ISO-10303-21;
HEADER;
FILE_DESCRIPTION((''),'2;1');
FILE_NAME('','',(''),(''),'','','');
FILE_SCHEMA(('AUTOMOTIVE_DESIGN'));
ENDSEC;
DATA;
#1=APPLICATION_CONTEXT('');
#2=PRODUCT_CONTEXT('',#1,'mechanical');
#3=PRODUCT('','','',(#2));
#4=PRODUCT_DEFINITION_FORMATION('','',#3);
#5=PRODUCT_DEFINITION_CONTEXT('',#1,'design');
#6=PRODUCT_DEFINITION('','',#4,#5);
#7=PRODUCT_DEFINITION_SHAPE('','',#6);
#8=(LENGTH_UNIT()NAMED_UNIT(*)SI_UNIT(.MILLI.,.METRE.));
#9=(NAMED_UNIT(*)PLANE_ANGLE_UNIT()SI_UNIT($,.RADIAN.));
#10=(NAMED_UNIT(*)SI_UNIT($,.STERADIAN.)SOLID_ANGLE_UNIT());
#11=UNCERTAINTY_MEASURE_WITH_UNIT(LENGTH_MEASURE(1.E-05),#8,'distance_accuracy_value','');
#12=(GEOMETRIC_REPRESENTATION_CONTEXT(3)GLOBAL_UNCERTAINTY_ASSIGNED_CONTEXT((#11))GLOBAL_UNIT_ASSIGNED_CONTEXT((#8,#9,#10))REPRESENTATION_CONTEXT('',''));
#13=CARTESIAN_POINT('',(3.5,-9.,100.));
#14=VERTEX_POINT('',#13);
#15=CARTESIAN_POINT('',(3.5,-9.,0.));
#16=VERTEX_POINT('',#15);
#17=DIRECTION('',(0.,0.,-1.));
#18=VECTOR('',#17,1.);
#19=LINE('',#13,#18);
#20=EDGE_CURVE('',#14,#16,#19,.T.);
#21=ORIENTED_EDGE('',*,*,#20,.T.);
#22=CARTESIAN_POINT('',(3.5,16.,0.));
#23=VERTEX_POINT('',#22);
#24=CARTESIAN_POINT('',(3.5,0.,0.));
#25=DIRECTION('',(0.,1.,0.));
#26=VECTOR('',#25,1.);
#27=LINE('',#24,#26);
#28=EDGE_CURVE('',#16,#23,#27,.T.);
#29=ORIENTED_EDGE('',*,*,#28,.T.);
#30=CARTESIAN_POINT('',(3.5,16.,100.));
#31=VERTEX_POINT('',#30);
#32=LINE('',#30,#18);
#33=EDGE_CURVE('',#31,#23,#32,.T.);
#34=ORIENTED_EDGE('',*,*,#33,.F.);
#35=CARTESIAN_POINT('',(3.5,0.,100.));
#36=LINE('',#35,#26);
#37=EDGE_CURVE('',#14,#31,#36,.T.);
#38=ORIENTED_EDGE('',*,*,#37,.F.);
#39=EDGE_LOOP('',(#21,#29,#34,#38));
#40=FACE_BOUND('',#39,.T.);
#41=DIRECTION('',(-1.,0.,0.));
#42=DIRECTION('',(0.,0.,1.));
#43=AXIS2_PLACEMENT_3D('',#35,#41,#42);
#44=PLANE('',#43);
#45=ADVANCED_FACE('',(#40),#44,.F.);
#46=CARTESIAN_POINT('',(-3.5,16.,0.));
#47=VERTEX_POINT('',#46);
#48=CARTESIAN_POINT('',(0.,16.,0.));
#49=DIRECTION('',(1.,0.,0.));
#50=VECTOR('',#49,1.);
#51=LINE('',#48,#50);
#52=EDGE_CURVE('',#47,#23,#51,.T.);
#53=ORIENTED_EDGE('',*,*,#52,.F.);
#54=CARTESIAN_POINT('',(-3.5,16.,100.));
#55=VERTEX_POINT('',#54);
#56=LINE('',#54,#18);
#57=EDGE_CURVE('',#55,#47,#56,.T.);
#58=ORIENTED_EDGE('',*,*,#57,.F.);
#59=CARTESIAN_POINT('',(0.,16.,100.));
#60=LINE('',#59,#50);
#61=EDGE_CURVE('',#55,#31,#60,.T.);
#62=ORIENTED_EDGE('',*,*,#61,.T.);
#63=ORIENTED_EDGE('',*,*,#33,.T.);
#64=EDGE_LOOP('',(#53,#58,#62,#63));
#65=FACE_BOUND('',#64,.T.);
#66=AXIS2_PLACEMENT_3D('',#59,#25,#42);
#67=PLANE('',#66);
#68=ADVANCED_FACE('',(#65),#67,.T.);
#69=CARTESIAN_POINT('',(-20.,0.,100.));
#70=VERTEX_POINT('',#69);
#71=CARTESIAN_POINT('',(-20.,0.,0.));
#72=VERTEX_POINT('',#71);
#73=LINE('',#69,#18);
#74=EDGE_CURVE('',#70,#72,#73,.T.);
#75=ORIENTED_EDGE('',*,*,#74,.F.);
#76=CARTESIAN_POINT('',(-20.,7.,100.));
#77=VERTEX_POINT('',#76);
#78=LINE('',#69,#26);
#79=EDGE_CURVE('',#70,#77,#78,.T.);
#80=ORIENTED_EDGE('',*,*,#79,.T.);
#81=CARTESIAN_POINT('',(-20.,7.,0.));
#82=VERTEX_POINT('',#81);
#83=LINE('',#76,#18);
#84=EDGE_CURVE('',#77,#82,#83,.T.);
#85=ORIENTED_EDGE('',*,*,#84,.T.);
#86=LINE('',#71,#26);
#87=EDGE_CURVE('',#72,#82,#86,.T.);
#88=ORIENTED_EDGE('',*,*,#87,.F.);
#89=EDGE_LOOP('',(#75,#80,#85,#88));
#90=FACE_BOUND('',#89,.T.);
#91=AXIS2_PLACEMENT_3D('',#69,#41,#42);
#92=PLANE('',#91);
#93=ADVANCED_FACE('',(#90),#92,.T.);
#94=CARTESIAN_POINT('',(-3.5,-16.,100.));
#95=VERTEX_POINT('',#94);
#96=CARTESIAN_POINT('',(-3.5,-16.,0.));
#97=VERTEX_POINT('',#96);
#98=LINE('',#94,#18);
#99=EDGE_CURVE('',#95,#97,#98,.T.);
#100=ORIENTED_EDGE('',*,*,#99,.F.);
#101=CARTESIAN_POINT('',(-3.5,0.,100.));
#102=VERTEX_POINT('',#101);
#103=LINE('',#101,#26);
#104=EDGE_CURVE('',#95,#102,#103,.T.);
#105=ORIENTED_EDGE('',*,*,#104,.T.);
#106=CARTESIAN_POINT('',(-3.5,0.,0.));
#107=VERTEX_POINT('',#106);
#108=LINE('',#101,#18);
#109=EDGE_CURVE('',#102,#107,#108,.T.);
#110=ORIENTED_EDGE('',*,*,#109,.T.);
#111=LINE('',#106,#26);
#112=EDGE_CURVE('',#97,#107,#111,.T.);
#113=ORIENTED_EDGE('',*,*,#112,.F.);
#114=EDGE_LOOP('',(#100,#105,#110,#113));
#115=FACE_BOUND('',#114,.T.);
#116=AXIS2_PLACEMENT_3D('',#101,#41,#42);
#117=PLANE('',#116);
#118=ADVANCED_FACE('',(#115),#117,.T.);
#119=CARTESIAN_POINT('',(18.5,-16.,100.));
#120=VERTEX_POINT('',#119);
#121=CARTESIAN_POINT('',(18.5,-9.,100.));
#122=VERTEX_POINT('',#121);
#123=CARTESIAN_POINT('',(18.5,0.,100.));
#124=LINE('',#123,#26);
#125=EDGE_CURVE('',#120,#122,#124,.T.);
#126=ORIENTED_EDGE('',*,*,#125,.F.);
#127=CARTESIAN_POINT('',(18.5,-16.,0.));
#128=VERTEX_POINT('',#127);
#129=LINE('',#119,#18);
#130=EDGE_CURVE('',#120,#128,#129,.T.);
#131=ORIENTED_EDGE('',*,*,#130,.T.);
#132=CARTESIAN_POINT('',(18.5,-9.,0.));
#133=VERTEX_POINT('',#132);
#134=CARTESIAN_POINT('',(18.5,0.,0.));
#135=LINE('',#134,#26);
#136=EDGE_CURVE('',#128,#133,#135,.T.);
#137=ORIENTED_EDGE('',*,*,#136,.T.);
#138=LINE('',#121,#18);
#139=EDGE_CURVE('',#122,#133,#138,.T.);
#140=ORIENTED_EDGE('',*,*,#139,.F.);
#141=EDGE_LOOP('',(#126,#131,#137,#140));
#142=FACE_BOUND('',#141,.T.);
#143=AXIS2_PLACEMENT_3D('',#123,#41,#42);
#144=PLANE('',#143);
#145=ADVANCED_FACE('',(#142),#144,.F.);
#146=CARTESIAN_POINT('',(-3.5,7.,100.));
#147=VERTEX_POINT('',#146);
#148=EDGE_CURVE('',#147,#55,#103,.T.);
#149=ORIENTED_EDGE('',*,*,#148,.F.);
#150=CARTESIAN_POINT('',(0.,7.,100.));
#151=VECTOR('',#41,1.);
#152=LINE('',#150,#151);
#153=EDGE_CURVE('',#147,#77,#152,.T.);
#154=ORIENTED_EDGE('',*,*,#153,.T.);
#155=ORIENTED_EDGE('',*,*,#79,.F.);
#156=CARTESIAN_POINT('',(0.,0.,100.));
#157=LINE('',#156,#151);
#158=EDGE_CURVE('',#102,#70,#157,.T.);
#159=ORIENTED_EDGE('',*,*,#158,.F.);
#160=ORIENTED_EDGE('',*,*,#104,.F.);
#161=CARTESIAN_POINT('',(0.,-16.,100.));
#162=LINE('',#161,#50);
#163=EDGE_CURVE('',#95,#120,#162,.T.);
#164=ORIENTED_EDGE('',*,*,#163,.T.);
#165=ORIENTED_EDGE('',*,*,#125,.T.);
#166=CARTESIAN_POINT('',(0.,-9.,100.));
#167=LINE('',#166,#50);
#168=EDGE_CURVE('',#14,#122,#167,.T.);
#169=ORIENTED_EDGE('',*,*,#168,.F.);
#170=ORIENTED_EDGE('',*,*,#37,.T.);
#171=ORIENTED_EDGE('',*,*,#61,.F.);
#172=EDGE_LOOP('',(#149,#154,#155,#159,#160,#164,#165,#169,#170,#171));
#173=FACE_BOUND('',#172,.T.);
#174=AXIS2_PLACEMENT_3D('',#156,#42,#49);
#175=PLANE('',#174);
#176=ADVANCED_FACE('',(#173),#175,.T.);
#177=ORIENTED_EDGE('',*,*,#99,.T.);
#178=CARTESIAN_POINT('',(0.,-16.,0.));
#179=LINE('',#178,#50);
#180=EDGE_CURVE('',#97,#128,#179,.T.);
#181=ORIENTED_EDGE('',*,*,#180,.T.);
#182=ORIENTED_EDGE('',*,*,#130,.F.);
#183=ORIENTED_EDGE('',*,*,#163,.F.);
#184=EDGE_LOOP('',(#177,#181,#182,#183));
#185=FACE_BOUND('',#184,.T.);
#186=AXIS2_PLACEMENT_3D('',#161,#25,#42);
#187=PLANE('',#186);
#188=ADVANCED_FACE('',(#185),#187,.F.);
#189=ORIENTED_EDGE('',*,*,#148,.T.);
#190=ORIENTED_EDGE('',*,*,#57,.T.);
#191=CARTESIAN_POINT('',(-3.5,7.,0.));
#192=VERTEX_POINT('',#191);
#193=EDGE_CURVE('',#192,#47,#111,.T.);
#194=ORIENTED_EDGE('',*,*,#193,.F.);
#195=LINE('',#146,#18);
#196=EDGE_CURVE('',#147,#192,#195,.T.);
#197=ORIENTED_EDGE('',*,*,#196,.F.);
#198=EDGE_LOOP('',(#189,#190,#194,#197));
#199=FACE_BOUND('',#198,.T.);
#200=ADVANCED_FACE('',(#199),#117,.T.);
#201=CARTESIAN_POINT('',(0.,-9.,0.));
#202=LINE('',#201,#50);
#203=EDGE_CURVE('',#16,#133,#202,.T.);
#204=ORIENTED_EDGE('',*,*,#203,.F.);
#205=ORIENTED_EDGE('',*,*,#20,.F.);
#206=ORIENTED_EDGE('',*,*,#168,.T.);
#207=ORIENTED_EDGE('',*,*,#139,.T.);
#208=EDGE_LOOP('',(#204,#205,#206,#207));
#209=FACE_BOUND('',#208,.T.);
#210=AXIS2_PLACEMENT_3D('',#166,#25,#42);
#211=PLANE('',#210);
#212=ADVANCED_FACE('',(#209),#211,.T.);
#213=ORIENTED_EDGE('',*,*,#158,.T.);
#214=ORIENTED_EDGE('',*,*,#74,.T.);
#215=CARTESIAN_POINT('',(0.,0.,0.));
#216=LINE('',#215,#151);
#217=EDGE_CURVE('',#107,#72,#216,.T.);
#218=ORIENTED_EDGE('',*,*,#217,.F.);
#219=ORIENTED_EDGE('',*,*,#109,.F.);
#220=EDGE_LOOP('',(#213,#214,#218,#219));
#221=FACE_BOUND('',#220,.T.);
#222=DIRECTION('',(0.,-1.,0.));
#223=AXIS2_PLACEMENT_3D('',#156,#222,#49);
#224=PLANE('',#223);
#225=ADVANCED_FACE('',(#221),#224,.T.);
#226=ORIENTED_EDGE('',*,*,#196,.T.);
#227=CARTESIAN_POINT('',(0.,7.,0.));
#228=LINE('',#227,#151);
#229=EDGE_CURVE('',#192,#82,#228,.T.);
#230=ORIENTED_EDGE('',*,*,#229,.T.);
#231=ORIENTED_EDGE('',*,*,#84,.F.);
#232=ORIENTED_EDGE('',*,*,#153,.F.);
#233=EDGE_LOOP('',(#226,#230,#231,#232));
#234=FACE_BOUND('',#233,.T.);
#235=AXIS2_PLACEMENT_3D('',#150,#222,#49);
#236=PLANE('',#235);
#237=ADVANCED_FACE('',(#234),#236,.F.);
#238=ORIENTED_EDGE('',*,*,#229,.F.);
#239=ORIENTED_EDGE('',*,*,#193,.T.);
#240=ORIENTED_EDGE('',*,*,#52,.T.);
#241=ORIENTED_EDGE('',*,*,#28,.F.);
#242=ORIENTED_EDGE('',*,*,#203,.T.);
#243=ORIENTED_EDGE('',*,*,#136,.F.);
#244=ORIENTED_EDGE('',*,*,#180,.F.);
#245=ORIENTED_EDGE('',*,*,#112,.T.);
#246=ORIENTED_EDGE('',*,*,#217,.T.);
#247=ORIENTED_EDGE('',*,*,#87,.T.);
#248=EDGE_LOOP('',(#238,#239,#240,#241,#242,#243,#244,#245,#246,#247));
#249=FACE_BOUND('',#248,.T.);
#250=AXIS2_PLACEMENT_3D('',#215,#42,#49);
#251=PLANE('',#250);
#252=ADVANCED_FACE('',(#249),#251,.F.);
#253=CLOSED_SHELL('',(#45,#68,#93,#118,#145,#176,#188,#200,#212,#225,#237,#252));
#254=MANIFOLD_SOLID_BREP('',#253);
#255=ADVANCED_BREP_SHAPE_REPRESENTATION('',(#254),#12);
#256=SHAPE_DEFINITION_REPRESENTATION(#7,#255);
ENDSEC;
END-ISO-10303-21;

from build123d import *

# Parameters (mm, degrees)
SKETCH_1_W      = 16.5
SKETCH_1_H      = 7
SKETCH_1_W_2    = 3.5
SKETCH_1_W_3    = 15
EXTRUDE_1_DEPTH = 100


with BuildPart() as part:
    # Эскиз1 → Бобышка-Вытянуть1 (new body)
    with BuildSketch(Plane.XY):
        with Locations((-11.75, 3.5)):
            Rectangle(SKETCH_1_W, SKETCH_1_H)
        with Locations((-1.75, 3.5)):
            Rectangle(SKETCH_1_W_2, SKETCH_1_H)
        Polygon((-3.5, 0), (-3.5, -16), (3.5, -16), (3.5, -9), (3.5, 16), (-3.5, 16), (-3.5, 7), (0, 7), (0, 0), align=None)
        with Locations((11, -12.5)):
            Rectangle(SKETCH_1_W_3, SKETCH_1_H)
    extrude(amount=EXTRUDE_1_DEPTH)


solid = part.part
